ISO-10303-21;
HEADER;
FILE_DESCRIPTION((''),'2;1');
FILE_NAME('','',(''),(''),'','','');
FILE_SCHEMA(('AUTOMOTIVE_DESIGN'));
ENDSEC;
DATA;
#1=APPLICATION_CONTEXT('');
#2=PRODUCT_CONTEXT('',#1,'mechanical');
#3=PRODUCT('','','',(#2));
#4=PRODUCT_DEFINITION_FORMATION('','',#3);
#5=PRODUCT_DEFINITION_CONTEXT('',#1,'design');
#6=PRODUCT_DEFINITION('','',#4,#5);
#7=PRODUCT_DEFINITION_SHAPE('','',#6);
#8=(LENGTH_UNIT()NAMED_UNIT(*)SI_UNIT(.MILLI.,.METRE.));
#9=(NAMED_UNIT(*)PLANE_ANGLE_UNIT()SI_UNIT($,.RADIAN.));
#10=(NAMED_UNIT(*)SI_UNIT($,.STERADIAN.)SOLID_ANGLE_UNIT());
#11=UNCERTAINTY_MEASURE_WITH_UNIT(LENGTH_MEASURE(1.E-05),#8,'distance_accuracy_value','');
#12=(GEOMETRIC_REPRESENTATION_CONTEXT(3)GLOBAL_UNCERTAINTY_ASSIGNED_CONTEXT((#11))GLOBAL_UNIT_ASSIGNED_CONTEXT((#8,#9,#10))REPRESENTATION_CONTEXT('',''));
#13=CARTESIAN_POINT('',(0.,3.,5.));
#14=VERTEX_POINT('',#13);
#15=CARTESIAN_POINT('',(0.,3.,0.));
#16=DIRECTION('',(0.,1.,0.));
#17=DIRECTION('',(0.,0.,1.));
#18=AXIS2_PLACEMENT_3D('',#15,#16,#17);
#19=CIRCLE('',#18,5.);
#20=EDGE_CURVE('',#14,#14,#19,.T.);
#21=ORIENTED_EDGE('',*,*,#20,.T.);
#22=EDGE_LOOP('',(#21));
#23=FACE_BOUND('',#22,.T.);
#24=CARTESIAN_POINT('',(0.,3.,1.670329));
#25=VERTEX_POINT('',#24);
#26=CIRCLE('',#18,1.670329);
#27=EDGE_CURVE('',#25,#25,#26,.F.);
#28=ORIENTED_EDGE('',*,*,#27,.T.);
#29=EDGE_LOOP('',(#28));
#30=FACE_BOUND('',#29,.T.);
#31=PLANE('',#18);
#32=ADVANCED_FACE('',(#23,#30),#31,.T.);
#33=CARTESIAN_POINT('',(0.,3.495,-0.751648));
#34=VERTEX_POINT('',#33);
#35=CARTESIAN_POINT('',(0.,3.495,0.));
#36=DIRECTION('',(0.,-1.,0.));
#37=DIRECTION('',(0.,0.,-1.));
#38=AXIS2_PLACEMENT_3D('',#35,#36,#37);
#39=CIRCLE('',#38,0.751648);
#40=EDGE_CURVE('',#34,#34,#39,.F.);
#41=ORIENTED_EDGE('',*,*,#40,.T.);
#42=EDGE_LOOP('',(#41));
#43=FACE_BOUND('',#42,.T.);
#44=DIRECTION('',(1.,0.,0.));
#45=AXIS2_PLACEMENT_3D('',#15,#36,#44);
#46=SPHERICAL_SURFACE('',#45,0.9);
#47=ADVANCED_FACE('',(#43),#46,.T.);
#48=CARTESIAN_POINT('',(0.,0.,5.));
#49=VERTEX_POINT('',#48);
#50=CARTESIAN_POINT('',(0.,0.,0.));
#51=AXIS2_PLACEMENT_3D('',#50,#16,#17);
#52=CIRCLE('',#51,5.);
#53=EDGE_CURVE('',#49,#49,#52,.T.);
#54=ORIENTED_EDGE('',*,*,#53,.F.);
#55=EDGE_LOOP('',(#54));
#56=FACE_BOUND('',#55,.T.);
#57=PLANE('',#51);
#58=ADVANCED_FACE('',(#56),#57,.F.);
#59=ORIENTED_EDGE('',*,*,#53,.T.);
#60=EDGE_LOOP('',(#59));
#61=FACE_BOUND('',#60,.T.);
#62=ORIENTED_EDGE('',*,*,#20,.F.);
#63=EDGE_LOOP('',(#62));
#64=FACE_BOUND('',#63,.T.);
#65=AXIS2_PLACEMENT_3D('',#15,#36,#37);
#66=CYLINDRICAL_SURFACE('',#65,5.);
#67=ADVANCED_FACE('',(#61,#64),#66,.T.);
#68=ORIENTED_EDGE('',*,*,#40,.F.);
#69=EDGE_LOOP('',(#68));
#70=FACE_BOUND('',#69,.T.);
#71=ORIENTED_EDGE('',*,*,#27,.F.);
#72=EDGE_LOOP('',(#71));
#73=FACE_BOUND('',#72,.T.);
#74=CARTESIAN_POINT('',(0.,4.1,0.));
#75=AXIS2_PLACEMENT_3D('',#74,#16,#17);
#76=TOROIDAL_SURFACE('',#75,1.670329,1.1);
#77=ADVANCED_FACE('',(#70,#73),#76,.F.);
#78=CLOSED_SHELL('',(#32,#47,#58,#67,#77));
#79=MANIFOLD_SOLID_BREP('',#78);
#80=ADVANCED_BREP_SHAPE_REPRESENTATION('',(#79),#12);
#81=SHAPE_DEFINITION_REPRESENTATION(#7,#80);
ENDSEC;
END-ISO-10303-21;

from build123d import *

# Parameters (mm, degrees)
SKETCH_1_R      = 5
EXTRUDE_1_DEPTH = 3
FILLET_1_R      = 1.1


with BuildPart() as part:
    # 草图1 → 凸台-拉伸1 (new body)
    with BuildSketch(Plane(origin=(0, 0, 0), x_dir=(1, 0, 0), z_dir=(0, 1, 0))):
        Circle(SKETCH_1_R)
    extrude(amount=EXTRUDE_1_DEPTH)

    # 草图2 → 旋转1 (revolve)
    with BuildSketch(Plane.XY):
        with BuildLine():
            Line((0, 3.9), (0, 3))
            Line((0, 3), (0.9, 3))
            ThreePointArc((0.9, 3), (0.636396103, 3.636396103), (0, 3.9))
        make_face()
    revolve(axis=Axis((0, 0, 0), (0, 1, 0)))

    # 圆角1
    fillet_1_edges = [part.edges().sort_by_distance(p)[0] for p in [
        (-0.9, 3, 0),
    ]]
    fillet(fillet_1_edges, radius=FILLET_1_R)


solid = part.part
